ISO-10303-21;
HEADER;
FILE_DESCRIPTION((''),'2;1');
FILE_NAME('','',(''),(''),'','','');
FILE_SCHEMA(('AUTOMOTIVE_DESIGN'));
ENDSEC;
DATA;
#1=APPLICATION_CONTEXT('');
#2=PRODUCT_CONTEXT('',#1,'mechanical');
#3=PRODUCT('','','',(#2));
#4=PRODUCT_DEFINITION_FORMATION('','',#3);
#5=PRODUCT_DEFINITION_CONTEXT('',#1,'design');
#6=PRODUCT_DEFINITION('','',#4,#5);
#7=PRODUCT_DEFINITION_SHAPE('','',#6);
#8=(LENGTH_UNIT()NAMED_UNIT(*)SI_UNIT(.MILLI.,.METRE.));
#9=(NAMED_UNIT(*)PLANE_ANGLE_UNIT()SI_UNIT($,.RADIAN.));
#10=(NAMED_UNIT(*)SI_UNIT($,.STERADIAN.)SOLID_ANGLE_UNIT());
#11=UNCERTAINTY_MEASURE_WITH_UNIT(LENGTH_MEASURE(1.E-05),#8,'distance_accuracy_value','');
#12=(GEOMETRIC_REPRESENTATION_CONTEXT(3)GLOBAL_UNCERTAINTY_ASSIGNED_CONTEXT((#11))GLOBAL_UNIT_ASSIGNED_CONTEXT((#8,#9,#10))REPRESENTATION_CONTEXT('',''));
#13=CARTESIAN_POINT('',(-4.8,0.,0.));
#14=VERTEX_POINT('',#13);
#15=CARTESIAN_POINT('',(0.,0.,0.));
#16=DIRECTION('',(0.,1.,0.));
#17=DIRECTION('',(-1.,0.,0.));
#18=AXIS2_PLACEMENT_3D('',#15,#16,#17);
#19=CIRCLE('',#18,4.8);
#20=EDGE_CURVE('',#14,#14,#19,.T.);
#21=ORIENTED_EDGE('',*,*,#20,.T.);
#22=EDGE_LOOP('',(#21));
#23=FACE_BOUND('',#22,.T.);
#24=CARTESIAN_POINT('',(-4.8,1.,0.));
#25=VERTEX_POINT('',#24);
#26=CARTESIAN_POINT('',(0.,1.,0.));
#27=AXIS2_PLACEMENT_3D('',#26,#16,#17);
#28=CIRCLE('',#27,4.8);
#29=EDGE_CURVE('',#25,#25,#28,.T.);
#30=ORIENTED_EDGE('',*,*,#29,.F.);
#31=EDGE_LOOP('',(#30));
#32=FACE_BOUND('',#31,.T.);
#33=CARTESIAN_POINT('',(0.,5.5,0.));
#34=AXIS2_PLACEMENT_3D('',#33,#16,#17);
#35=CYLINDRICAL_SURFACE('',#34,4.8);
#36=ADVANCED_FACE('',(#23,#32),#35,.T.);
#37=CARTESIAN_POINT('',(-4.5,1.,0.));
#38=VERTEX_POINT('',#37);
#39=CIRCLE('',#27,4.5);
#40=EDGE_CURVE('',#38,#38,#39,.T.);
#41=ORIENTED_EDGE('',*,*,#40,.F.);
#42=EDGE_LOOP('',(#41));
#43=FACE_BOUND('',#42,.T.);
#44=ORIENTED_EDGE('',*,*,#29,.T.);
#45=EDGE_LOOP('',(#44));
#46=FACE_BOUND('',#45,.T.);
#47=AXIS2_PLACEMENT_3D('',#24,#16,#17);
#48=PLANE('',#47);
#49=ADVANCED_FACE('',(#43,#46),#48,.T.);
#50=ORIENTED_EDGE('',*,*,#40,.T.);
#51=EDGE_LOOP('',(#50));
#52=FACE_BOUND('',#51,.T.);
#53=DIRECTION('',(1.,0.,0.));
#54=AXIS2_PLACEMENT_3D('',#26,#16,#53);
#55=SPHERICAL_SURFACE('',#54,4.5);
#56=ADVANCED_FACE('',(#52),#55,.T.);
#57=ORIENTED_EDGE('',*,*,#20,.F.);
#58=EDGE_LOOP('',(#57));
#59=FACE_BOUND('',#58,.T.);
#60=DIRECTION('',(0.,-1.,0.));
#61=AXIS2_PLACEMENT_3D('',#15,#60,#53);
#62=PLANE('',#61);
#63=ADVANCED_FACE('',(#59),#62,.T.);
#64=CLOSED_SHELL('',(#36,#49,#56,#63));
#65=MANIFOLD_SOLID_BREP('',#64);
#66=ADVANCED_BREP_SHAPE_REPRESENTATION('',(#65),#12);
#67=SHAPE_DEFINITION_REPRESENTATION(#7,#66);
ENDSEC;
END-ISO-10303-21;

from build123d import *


with BuildPart() as part:
    # Croquis1 → Revolución1 (revolve)
    with BuildSketch(Plane.XY):
        with BuildLine():
            Line((0, 0), (-4.8, 0))
            Line((-4.8, 0), (-4.8, 1))
            Line((-4.8, 1), (-4.5, 1))
            ThreePointArc((-4.5, 1), (-3.181980515, 4.181980515), (0, 5.5))
            Line((0, 5.5), (0, 0))
        make_face()
    revolve(axis=Axis((0, 5.5, 0), (0, -1, 0)))


solid = part.part
